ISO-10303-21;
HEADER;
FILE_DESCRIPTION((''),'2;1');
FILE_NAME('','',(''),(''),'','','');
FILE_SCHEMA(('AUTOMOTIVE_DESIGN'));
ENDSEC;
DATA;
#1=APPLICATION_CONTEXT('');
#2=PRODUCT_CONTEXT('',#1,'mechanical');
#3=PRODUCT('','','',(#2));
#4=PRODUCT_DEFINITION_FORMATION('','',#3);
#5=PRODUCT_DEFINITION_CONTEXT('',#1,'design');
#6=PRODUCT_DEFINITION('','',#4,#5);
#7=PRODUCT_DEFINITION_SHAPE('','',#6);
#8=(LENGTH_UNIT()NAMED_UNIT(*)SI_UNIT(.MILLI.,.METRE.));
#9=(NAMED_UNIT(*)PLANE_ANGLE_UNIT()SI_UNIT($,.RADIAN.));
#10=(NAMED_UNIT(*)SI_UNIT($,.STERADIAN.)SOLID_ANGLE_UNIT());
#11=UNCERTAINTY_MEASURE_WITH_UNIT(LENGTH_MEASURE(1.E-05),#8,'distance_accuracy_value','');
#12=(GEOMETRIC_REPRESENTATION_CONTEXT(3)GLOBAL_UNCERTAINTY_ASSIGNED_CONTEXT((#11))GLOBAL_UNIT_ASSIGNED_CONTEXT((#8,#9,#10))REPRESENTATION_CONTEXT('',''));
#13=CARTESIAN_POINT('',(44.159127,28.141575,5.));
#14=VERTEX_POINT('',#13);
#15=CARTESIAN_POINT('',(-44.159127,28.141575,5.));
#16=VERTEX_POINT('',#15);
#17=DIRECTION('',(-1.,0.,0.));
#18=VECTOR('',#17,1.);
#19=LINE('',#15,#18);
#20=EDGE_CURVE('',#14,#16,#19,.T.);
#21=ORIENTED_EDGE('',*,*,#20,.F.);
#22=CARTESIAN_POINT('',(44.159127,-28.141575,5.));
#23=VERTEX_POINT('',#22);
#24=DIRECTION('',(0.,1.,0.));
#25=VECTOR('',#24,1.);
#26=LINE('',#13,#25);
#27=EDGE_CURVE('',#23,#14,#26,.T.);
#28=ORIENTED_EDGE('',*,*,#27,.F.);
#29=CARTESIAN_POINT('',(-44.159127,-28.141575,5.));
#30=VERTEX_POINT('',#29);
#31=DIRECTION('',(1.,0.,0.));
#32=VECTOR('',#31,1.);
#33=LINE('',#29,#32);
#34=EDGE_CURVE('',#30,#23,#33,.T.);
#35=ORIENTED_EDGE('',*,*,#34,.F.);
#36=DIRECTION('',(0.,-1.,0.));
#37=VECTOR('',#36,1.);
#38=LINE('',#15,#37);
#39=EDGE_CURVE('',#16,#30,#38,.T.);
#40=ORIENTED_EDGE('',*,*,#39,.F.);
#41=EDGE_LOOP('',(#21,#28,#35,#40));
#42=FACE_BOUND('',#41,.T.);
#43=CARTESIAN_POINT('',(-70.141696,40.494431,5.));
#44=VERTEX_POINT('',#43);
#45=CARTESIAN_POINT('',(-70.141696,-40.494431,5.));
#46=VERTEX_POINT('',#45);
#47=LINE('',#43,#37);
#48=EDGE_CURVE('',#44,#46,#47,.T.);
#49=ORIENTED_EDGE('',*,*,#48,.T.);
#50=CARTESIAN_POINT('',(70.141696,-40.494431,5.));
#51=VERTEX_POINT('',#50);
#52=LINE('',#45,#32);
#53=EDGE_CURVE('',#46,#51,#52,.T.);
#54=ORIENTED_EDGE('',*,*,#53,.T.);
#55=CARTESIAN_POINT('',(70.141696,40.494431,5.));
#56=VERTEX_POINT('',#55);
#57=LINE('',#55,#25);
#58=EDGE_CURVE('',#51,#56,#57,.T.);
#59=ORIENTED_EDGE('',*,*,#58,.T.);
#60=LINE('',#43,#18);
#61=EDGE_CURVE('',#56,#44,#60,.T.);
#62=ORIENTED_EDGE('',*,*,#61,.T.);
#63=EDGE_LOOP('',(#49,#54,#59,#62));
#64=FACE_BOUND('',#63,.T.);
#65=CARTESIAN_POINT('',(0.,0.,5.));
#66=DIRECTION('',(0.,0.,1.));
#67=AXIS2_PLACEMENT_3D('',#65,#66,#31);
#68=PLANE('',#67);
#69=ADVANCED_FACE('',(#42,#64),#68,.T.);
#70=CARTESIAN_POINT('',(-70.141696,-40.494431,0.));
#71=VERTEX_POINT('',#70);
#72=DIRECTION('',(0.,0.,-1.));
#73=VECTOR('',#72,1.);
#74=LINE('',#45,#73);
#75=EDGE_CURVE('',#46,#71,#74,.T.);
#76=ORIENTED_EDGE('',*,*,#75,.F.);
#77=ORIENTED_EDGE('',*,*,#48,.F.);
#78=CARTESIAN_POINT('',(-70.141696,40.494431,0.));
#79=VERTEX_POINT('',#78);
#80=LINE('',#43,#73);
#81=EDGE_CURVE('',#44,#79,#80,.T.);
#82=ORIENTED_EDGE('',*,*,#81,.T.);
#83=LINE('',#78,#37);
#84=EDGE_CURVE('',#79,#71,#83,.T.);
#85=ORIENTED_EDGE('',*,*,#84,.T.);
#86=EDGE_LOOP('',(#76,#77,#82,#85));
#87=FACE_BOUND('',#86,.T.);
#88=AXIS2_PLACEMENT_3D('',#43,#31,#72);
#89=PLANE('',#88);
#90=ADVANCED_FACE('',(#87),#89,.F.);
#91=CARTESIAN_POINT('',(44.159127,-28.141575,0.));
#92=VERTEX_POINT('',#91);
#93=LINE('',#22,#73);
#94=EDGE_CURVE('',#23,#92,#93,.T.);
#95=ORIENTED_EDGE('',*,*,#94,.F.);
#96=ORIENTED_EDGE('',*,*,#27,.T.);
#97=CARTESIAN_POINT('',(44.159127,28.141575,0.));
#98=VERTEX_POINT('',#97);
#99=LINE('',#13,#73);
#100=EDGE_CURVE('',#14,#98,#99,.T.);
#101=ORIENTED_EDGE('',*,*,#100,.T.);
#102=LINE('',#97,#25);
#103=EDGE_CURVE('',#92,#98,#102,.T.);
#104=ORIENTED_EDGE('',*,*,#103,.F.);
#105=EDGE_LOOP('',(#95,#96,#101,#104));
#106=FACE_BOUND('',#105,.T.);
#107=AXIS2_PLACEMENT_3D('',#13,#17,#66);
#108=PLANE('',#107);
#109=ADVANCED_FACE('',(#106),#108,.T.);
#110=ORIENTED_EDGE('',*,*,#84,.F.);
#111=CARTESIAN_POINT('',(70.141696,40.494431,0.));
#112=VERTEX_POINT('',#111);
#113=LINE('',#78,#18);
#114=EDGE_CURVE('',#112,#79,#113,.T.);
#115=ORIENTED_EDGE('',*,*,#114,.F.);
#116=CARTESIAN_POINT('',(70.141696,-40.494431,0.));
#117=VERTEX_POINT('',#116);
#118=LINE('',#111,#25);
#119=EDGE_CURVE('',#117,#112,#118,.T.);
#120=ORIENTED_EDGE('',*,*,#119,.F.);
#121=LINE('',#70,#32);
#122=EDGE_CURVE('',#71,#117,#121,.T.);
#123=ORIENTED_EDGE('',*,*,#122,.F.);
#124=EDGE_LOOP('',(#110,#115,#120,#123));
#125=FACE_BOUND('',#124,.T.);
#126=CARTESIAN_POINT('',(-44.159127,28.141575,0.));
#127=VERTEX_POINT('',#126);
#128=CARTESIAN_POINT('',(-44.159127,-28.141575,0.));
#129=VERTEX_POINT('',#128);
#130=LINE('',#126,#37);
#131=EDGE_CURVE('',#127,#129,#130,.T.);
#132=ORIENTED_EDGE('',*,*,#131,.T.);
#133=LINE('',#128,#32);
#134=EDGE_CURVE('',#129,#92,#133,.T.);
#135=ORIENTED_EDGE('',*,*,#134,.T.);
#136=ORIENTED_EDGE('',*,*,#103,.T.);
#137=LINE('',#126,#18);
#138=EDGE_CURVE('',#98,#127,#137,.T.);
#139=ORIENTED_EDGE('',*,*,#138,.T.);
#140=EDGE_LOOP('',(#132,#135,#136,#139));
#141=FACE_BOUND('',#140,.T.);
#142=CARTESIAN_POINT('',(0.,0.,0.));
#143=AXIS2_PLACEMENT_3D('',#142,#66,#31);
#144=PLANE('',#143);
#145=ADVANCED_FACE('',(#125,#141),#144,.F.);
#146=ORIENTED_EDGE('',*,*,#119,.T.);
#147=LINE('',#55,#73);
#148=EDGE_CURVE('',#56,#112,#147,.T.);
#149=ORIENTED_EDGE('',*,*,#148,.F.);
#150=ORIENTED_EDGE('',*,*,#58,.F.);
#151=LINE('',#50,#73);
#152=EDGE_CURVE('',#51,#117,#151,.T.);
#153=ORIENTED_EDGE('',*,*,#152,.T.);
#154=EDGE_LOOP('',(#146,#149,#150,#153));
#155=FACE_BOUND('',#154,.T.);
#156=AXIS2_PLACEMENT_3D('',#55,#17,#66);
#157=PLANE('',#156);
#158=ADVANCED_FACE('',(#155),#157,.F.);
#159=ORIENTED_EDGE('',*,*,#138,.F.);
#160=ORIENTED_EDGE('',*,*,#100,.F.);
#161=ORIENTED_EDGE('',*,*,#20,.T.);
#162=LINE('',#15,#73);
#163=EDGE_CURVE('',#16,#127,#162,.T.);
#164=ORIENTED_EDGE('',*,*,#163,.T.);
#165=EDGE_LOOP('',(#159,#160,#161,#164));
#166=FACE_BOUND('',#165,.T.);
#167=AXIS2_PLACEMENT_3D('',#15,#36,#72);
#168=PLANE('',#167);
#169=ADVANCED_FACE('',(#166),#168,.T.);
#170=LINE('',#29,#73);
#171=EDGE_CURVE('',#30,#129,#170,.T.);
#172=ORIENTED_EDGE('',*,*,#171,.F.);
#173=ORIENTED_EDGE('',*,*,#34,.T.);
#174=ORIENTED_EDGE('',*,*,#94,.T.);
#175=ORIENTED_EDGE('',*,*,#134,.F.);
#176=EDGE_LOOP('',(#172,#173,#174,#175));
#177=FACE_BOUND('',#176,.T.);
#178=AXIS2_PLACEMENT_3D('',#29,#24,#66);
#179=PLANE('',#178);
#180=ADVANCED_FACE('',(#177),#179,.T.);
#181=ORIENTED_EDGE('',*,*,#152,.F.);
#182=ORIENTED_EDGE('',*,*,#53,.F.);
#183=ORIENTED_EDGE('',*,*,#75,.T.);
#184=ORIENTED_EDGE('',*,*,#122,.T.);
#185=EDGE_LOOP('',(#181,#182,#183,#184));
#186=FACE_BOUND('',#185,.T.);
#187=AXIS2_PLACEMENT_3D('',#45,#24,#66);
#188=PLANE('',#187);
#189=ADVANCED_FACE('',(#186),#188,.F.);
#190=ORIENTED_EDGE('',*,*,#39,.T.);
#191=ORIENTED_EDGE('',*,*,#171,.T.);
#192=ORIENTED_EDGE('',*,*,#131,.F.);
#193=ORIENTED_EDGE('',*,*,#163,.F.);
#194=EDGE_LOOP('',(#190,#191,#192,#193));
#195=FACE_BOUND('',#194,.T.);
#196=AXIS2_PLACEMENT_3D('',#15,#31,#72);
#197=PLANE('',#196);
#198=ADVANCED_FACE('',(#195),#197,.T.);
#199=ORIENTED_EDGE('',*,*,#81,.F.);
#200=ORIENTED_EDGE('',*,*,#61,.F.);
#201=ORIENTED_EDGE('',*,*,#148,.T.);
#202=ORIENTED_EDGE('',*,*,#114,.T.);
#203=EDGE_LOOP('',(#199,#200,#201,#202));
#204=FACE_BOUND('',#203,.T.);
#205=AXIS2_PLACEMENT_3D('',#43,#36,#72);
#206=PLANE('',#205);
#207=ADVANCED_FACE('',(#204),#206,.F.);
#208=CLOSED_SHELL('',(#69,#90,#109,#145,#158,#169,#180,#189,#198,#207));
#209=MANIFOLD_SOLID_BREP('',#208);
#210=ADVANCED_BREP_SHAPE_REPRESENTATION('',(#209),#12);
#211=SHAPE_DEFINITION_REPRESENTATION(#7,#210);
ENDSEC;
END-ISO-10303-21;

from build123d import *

# Parameters (mm, degrees)
SKETCH1_W           = 140.283392542
SKETCH1_H           = 80.988861008
SKETCH1_W_2         = 88.318253242
SKETCH1_H_2         = 56.283150652
BOSS_EXTRUDE1_DEPTH = 5


with BuildPart() as part:
    # Sketch1 → Boss-Extrude1 (new body)
    with BuildSketch(Plane.XY):
        Rectangle(SKETCH1_W, SKETCH1_H)
        Rectangle(SKETCH1_W_2, SKETCH1_H_2, mode=Mode.SUBTRACT)
    extrude(amount=BOSS_EXTRUDE1_DEPTH)


solid = part.part
